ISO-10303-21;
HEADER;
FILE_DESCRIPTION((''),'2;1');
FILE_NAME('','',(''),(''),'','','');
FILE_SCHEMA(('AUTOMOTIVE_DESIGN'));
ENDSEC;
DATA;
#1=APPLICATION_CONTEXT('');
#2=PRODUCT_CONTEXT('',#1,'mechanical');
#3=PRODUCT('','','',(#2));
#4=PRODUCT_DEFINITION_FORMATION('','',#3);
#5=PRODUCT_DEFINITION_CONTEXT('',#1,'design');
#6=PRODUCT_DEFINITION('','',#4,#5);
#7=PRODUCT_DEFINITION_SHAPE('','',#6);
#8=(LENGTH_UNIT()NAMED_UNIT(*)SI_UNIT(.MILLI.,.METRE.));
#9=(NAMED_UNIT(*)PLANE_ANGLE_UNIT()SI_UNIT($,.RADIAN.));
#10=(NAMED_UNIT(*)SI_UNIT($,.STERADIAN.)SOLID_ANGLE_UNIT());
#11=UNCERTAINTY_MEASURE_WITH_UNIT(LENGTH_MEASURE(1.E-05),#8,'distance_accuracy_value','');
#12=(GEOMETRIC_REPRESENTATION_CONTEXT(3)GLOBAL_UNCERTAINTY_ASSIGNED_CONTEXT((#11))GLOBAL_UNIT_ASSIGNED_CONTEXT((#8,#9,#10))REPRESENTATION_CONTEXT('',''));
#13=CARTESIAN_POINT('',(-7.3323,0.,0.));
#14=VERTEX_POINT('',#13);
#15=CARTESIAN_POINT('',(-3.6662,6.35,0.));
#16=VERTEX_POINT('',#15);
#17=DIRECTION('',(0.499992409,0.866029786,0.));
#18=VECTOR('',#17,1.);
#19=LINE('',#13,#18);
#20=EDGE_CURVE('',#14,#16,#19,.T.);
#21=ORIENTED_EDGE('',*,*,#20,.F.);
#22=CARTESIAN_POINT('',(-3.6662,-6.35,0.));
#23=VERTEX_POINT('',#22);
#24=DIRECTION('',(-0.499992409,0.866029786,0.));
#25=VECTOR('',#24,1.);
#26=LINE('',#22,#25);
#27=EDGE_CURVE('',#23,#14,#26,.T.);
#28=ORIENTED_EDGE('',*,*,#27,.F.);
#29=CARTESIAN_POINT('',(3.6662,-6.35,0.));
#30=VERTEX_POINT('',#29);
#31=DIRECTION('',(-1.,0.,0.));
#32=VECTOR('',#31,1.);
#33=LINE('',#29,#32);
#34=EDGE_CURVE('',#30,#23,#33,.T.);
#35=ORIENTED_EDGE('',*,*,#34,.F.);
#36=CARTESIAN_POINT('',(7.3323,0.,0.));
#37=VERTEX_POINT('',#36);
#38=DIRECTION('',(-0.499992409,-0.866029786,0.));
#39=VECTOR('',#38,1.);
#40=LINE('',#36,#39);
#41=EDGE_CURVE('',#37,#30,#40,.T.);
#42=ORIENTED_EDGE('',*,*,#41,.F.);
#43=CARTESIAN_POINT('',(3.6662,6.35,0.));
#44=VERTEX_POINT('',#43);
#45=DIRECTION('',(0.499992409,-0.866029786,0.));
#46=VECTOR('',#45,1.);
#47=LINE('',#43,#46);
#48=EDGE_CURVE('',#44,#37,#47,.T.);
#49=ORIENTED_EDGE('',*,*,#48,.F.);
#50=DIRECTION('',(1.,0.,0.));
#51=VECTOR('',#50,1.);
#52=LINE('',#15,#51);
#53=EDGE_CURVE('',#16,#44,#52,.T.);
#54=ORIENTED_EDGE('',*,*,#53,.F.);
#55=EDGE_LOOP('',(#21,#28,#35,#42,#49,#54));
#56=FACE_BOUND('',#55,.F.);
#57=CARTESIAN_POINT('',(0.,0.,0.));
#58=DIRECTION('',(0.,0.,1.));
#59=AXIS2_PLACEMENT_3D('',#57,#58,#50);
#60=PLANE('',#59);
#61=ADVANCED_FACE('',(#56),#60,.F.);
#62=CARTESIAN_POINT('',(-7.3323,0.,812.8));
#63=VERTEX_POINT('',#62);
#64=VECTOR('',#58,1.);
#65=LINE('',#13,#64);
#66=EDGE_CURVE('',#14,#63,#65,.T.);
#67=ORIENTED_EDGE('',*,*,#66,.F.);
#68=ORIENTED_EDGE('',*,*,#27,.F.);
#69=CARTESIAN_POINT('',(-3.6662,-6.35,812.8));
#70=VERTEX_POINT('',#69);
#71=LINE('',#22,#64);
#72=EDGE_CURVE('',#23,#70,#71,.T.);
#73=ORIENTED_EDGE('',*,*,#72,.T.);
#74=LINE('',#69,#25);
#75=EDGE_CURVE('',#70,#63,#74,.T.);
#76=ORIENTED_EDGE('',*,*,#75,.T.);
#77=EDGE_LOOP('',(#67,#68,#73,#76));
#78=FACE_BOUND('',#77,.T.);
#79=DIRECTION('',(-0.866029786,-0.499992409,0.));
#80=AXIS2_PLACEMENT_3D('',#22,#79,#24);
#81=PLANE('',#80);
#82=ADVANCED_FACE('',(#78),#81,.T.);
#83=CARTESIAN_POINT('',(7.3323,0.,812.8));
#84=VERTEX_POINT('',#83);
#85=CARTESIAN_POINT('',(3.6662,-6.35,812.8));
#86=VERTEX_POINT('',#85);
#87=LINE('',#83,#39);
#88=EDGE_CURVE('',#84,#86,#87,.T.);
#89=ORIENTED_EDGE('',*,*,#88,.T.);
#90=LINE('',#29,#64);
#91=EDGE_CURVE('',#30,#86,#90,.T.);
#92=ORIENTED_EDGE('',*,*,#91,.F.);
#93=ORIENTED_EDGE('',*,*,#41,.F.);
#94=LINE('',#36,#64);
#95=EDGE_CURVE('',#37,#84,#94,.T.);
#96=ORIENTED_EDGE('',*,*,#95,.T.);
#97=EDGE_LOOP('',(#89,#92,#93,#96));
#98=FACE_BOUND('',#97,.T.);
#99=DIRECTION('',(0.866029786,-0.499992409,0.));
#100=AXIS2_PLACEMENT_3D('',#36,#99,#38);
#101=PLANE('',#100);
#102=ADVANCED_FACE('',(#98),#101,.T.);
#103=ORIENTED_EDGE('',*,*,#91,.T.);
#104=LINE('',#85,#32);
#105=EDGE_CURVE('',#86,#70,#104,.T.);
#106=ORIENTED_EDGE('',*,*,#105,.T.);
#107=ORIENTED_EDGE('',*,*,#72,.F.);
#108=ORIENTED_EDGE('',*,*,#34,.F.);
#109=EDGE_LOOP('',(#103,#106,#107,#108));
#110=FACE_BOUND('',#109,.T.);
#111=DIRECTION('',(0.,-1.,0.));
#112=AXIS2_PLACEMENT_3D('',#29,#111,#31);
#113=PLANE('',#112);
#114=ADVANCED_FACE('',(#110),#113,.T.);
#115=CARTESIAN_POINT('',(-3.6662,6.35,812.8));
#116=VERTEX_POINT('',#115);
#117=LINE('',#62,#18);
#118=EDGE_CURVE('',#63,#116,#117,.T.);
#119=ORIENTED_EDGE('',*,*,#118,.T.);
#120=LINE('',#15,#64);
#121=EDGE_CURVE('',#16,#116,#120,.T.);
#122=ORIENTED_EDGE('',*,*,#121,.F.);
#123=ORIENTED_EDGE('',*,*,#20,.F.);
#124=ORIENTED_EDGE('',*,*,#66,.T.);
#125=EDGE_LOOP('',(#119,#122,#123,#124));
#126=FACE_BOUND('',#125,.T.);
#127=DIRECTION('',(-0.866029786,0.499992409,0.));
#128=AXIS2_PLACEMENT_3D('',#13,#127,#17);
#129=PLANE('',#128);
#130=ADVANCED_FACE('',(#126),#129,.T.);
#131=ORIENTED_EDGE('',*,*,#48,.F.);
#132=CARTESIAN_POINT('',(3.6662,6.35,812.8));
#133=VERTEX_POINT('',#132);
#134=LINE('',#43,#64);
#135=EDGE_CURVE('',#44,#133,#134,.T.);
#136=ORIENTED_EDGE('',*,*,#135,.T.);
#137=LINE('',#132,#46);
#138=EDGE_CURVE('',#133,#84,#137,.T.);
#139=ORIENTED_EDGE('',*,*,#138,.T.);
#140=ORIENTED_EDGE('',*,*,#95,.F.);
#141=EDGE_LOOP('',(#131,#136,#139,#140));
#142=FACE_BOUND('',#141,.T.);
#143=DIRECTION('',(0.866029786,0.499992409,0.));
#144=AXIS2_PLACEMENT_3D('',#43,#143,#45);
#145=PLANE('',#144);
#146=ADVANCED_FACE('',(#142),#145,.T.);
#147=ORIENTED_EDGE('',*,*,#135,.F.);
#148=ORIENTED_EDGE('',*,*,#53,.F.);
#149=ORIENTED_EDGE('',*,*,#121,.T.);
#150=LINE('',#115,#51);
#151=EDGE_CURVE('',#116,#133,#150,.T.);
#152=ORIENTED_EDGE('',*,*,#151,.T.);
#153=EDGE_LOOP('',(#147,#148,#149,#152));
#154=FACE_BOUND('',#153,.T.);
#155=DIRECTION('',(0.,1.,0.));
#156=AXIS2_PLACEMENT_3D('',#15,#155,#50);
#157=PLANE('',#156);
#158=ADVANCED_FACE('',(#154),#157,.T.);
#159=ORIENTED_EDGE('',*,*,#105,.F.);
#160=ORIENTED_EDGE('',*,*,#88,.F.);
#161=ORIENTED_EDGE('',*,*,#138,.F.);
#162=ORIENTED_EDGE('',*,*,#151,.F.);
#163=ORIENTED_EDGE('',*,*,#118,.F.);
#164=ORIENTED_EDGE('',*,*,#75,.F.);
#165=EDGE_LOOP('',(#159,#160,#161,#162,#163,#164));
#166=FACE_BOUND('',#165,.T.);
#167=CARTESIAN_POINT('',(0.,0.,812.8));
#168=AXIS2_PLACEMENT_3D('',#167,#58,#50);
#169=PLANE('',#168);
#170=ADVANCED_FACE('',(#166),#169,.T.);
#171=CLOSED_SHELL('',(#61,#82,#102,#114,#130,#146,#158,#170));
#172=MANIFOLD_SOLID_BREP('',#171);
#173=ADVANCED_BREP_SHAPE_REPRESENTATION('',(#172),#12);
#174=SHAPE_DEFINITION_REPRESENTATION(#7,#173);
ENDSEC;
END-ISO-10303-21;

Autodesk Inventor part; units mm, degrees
ref_plane "YZ Plane" through (0, 0, 0) normal (1, 0, 0) x (0, 1, 0)
ref_plane "XZ Plane" through (0, 0, 0) normal (0, 1, 0) x (-1, 0, 0)
ref_plane "XY Plane" through (0, 0, 0) normal (0, 0, 1) x (1, 0, 0)
sketch "Sketch1" plane through (0, 0, 0) normal (0, 0, 1) x (1, 0, 0)
  line L0 (3.6662, 6.35) -> (7.3323, 0)
  line L1 (7.3323, 0) -> (3.6662, -6.35)
  line L2 (3.6662, -6.35) -> (-3.6662, -6.35)
  line L3 (-3.6662, -6.35) -> (-7.3323, 0)
  line L4 (-7.3323, 0) -> (-3.6662, 6.35)
  line L5 (-3.6662, 6.35) -> (3.6662, 6.35)
  point P0 (0, 0)
  point P1 (0, 0)
  dimension "d0" = 12.7
extrude "Extrusion1" add sketch "Sketch1" along normal blind 812.8
properties part number "hex rod 32 inch" material "Steel, Alloy"
